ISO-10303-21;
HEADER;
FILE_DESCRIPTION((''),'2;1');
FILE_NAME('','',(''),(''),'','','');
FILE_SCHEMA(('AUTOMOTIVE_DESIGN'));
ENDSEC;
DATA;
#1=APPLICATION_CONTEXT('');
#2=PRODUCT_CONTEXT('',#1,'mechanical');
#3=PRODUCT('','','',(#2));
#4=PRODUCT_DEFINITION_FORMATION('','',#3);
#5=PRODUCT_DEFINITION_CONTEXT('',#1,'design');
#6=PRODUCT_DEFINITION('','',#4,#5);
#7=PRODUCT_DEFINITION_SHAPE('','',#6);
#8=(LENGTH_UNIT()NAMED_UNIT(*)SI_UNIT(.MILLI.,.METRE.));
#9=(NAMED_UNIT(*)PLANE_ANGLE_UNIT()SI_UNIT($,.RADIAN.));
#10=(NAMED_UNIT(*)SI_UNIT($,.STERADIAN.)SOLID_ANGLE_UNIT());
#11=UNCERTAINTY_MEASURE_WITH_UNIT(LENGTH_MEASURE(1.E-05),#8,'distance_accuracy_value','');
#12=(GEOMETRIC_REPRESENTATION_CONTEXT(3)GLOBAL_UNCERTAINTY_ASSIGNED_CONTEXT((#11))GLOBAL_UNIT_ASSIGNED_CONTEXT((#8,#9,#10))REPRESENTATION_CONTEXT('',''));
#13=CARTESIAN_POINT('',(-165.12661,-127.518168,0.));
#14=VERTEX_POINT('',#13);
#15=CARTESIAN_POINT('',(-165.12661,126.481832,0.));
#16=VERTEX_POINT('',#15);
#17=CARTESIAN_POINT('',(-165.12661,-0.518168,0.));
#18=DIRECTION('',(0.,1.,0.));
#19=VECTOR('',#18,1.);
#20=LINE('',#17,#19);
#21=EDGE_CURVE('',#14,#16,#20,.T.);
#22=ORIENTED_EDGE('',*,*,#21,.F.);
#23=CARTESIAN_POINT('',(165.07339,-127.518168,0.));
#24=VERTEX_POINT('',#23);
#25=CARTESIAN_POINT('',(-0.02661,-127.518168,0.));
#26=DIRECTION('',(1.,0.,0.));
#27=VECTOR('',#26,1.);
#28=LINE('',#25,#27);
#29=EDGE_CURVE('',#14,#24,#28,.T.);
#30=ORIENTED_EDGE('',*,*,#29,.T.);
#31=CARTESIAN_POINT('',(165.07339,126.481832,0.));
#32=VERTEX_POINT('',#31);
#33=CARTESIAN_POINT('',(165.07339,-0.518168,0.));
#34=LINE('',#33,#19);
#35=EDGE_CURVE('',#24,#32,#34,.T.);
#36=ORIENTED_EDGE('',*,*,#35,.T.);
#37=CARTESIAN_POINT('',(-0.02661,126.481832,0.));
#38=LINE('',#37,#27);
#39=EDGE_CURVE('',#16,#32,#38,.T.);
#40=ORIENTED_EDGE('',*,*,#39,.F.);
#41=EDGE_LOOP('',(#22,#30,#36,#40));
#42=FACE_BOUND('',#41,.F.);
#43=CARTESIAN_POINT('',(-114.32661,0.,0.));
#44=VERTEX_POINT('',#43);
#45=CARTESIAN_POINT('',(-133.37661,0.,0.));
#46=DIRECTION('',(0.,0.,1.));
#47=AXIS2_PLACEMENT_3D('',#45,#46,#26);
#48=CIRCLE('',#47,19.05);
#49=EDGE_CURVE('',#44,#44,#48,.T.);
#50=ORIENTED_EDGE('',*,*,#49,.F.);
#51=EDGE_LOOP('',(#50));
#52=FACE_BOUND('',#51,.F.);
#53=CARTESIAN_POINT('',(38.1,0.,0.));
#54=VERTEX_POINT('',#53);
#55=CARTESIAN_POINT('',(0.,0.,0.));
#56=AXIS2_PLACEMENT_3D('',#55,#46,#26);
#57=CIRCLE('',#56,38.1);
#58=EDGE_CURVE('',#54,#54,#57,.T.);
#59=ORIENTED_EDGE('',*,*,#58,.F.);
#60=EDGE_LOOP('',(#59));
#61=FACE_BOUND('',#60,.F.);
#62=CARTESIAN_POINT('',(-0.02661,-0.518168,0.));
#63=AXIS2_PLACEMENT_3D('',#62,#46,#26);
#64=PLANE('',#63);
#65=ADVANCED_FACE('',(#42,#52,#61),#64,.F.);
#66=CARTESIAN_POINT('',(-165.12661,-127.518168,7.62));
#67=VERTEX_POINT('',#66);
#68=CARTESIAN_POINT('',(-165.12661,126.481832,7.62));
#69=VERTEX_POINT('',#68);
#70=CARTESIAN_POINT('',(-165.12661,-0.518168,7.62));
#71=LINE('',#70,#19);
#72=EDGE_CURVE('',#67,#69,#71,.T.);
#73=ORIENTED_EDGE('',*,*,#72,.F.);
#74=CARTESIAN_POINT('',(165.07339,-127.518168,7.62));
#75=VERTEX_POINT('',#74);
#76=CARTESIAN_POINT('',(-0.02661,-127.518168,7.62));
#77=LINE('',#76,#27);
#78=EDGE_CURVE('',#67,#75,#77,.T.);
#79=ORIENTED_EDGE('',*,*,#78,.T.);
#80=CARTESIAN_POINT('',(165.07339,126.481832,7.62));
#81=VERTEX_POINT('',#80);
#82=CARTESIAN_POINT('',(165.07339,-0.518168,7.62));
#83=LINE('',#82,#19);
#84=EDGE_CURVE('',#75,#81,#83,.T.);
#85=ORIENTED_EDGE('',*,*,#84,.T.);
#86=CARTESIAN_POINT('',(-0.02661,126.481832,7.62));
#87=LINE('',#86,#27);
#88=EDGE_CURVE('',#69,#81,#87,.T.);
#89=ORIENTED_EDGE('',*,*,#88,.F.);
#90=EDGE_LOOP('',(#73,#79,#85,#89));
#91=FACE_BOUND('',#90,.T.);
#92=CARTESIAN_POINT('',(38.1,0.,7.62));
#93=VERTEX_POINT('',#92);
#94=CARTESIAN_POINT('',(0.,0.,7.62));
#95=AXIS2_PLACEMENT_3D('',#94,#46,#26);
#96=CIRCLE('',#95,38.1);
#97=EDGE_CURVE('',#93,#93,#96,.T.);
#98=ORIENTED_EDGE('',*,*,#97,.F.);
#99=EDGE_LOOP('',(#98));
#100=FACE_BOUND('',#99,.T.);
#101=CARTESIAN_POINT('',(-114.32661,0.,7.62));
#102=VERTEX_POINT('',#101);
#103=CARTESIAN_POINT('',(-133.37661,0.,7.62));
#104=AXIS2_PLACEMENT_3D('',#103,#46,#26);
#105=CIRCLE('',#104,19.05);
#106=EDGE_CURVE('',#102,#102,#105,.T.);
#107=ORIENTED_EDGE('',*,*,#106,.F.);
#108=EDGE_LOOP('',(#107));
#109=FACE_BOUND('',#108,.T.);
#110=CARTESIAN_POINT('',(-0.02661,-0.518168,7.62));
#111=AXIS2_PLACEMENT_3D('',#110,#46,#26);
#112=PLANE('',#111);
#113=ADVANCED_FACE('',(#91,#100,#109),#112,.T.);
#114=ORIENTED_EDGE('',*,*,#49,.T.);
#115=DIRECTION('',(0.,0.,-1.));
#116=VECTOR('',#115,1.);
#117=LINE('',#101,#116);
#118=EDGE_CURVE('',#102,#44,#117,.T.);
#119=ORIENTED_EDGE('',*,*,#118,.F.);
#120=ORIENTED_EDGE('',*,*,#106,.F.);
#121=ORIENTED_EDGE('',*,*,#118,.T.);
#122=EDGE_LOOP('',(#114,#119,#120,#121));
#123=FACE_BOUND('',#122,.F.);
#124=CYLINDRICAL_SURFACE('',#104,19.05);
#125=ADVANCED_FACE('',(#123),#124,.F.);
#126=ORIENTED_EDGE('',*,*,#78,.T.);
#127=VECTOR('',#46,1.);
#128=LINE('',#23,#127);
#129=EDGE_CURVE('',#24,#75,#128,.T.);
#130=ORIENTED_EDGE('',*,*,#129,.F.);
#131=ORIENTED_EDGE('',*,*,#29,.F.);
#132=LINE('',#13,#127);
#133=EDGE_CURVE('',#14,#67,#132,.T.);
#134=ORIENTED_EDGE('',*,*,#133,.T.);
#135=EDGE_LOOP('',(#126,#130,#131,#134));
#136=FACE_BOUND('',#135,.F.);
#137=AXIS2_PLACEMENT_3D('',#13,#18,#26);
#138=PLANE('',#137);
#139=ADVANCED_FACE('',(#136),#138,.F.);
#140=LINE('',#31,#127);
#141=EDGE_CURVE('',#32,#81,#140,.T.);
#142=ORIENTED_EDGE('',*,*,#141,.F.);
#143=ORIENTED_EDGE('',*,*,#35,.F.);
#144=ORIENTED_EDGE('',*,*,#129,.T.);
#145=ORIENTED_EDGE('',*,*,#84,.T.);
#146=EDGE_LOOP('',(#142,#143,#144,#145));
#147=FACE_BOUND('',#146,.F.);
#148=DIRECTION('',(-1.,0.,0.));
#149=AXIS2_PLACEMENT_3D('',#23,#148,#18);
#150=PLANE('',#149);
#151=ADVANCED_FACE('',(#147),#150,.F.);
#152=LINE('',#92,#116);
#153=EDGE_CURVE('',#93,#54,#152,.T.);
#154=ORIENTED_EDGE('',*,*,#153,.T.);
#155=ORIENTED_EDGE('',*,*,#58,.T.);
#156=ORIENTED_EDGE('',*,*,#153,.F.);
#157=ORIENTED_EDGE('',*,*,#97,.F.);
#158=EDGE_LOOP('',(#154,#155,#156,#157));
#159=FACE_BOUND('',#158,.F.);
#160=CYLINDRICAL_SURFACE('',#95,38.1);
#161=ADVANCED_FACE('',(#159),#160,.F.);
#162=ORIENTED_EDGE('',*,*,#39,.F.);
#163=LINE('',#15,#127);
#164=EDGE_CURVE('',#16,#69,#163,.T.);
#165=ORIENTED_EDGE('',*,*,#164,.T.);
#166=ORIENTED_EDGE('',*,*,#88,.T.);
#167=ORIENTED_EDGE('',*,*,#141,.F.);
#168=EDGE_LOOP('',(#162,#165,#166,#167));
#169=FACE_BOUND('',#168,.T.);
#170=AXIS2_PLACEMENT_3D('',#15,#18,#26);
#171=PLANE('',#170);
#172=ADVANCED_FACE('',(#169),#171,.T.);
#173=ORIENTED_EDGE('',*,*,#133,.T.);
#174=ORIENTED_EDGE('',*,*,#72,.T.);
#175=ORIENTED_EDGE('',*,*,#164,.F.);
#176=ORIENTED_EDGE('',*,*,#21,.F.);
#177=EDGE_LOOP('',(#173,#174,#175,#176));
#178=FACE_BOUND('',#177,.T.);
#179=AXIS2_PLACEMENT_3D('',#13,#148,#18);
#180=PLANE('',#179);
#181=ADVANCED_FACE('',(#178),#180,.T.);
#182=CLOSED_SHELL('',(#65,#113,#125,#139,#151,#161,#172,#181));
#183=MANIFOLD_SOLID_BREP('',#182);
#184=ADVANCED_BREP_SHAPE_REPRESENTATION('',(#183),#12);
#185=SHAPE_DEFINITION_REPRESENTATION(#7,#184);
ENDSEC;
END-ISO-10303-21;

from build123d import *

# Parameters (mm, degrees)
F0_W     = 330.2
F0_H     = 254
F1_DEPTH = 7.62
F2_R     = 38.1
F4_DEPTH = 7.621
F3_R     = 19.05
F5_DEPTH = 7.621


with BuildPart() as f1:
    # F0 (on Top) → F1 (new body)
    with BuildSketch(Plane.XY):
        with Locations((-0.02661, -0.518168)):
            Rectangle(F0_W, F0_H)
    extrude(amount=F1_DEPTH)

    # F2 (on face) → F4 (cut, through all)
    with BuildSketch(Plane.XY.offset(7.62)):
        Circle(F2_R)
    extrude(amount=-F4_DEPTH, mode=Mode.SUBTRACT)

    # F3 (on face) → F5 (cut, through all)
    with BuildSketch(Plane.XY.offset(7.62)):
        with Locations((-133.37661, 0)):
            Circle(F3_R)
    extrude(amount=-F5_DEPTH, mode=Mode.SUBTRACT)


solid = f1.part
